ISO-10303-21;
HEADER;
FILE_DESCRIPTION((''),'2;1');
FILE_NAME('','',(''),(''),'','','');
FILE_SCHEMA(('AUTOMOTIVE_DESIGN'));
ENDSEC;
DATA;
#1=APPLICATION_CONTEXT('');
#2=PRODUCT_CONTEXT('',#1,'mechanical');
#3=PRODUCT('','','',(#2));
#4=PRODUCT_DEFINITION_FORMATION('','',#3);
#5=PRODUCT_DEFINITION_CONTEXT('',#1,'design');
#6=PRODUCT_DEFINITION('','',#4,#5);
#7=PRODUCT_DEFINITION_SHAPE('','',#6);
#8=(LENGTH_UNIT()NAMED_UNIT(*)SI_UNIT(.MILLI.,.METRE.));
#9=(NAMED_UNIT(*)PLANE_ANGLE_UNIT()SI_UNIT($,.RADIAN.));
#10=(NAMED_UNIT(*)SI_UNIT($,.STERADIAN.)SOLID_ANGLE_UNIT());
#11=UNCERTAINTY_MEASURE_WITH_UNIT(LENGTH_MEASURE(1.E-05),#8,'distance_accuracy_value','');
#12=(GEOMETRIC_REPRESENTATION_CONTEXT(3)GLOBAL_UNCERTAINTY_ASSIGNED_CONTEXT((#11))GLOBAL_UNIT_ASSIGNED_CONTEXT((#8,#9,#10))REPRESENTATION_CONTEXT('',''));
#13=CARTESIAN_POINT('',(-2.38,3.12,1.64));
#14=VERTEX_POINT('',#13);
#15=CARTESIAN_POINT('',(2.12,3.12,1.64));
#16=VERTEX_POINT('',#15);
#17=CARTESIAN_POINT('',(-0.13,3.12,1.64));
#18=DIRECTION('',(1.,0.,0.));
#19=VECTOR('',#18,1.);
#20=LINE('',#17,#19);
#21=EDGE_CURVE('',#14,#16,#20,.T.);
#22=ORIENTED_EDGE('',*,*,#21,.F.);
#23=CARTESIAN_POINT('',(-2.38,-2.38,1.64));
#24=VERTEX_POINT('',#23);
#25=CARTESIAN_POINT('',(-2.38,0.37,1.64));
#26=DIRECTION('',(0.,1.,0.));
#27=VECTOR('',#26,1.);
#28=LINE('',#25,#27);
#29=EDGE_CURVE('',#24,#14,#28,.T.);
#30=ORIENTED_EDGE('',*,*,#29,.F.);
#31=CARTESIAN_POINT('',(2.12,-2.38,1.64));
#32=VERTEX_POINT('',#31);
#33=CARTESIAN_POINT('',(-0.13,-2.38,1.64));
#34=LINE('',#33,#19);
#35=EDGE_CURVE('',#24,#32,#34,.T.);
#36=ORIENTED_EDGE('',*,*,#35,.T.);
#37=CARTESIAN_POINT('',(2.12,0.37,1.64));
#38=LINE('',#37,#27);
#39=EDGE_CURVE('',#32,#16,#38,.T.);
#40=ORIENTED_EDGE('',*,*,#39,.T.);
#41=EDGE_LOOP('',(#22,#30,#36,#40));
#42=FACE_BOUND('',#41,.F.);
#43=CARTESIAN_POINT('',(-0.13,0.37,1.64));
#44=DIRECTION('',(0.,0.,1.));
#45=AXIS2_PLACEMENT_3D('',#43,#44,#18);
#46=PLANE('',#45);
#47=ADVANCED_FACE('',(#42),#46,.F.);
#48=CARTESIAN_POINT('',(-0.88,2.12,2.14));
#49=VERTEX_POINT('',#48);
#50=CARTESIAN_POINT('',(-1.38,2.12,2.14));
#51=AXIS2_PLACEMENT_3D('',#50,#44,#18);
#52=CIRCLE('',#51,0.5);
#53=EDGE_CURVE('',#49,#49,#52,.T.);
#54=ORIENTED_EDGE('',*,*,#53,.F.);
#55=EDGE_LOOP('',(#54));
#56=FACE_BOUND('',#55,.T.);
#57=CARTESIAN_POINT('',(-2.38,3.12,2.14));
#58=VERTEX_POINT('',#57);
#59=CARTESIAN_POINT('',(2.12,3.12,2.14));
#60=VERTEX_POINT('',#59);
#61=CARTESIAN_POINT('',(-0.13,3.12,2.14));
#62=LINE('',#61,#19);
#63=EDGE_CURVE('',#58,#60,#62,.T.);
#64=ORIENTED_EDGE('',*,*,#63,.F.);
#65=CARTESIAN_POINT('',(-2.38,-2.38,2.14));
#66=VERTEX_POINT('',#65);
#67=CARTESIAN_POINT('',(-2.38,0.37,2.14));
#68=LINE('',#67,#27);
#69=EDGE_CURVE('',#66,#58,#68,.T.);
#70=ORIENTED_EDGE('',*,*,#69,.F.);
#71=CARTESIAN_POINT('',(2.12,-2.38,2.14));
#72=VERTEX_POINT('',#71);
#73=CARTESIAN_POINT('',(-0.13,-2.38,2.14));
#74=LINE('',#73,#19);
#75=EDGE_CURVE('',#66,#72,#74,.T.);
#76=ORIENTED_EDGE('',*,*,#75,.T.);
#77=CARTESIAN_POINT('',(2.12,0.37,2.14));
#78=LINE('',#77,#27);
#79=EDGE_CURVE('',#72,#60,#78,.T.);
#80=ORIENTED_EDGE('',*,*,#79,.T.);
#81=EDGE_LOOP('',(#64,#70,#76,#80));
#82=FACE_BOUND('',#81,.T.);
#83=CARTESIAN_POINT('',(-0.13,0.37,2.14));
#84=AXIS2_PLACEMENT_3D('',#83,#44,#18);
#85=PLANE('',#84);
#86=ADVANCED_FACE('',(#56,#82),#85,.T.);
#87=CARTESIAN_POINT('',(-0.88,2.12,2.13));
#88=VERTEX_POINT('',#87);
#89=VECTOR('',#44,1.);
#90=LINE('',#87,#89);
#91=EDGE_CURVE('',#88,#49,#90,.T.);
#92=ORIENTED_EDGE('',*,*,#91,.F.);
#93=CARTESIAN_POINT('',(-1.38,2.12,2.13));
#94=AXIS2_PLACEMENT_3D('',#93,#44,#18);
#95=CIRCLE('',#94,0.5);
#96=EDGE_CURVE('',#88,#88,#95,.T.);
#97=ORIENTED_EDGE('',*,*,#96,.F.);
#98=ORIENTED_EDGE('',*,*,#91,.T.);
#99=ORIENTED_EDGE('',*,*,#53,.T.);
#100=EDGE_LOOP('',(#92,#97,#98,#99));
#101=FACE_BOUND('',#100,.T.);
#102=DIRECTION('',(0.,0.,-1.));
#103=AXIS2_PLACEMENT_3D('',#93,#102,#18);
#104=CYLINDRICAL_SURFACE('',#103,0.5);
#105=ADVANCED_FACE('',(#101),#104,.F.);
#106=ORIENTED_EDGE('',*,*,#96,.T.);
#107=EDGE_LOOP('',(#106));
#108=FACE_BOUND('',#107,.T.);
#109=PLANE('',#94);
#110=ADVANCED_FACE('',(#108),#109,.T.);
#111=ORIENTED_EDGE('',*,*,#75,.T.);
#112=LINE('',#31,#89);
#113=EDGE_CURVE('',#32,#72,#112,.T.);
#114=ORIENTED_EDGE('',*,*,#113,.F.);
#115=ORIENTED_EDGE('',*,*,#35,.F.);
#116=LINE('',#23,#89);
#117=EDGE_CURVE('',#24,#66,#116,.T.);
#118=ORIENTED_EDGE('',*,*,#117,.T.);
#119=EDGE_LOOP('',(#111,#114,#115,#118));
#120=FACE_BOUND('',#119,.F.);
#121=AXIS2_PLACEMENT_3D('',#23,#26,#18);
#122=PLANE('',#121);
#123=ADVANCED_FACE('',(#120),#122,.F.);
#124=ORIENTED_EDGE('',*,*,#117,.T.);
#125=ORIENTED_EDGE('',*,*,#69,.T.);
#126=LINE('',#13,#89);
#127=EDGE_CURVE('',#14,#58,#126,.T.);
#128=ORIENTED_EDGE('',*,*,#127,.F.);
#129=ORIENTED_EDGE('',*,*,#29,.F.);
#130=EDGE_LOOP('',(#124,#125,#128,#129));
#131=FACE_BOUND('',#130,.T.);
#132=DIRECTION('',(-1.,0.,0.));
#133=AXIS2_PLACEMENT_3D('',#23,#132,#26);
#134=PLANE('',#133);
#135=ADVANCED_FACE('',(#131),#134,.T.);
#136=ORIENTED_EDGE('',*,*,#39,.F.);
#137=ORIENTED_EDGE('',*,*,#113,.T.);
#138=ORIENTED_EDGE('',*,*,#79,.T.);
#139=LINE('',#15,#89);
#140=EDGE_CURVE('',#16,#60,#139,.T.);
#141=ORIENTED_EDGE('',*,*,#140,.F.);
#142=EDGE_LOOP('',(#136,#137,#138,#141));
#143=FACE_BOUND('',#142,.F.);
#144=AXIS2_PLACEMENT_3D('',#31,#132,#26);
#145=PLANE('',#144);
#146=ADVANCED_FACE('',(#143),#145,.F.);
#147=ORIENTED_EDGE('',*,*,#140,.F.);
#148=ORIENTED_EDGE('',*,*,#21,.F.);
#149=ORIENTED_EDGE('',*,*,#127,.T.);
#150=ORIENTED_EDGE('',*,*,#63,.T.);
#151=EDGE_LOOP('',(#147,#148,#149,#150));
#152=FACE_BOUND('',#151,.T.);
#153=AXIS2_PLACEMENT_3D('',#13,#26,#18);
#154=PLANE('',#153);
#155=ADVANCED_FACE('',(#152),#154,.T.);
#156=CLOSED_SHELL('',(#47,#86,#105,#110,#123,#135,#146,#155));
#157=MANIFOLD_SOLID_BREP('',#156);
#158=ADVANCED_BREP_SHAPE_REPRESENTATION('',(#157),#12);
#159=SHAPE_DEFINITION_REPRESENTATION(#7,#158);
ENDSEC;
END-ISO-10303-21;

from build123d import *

# Parameters (mm, degrees)
CYLINDER018_R     = 0.5
CYLINDER018_DEPTH = 0.01
BOX051_W          = 4.5
BOX051_H          = 5.5
BOX051_DEPTH      = 0.5


with BuildPart() as cylinder013:
    # Cylinder018 → Cylinder018 (new body)
    with BuildSketch(Plane(origin=(1, 4.5, 0.49), x_dir=(1, 0, 0), z_dir=(0, 0, 1))):
        Circle(CYLINDER018_R)
    extrude(amount=CYLINDER018_DEPTH)


with BuildPart() as small_linbo3_plate:
    # Box051 → Box051 (new body)
    with BuildSketch(Plane.XY):
        with Locations((2.25, 2.75)):
            Rectangle(BOX051_W, BOX051_H)
    extrude(amount=BOX051_DEPTH)

    # Cut005: cut Cylinder013
    add(cylinder013.part, mode=Mode.SUBTRACT)


with BuildPart() as small_linbo3_plate_1:
    # Cut005 placement: moved
    add(small_linbo3_plate.part.moved(Location((-2.38, -2.38, 1.64))))


solid = small_linbo3_plate_1.part
